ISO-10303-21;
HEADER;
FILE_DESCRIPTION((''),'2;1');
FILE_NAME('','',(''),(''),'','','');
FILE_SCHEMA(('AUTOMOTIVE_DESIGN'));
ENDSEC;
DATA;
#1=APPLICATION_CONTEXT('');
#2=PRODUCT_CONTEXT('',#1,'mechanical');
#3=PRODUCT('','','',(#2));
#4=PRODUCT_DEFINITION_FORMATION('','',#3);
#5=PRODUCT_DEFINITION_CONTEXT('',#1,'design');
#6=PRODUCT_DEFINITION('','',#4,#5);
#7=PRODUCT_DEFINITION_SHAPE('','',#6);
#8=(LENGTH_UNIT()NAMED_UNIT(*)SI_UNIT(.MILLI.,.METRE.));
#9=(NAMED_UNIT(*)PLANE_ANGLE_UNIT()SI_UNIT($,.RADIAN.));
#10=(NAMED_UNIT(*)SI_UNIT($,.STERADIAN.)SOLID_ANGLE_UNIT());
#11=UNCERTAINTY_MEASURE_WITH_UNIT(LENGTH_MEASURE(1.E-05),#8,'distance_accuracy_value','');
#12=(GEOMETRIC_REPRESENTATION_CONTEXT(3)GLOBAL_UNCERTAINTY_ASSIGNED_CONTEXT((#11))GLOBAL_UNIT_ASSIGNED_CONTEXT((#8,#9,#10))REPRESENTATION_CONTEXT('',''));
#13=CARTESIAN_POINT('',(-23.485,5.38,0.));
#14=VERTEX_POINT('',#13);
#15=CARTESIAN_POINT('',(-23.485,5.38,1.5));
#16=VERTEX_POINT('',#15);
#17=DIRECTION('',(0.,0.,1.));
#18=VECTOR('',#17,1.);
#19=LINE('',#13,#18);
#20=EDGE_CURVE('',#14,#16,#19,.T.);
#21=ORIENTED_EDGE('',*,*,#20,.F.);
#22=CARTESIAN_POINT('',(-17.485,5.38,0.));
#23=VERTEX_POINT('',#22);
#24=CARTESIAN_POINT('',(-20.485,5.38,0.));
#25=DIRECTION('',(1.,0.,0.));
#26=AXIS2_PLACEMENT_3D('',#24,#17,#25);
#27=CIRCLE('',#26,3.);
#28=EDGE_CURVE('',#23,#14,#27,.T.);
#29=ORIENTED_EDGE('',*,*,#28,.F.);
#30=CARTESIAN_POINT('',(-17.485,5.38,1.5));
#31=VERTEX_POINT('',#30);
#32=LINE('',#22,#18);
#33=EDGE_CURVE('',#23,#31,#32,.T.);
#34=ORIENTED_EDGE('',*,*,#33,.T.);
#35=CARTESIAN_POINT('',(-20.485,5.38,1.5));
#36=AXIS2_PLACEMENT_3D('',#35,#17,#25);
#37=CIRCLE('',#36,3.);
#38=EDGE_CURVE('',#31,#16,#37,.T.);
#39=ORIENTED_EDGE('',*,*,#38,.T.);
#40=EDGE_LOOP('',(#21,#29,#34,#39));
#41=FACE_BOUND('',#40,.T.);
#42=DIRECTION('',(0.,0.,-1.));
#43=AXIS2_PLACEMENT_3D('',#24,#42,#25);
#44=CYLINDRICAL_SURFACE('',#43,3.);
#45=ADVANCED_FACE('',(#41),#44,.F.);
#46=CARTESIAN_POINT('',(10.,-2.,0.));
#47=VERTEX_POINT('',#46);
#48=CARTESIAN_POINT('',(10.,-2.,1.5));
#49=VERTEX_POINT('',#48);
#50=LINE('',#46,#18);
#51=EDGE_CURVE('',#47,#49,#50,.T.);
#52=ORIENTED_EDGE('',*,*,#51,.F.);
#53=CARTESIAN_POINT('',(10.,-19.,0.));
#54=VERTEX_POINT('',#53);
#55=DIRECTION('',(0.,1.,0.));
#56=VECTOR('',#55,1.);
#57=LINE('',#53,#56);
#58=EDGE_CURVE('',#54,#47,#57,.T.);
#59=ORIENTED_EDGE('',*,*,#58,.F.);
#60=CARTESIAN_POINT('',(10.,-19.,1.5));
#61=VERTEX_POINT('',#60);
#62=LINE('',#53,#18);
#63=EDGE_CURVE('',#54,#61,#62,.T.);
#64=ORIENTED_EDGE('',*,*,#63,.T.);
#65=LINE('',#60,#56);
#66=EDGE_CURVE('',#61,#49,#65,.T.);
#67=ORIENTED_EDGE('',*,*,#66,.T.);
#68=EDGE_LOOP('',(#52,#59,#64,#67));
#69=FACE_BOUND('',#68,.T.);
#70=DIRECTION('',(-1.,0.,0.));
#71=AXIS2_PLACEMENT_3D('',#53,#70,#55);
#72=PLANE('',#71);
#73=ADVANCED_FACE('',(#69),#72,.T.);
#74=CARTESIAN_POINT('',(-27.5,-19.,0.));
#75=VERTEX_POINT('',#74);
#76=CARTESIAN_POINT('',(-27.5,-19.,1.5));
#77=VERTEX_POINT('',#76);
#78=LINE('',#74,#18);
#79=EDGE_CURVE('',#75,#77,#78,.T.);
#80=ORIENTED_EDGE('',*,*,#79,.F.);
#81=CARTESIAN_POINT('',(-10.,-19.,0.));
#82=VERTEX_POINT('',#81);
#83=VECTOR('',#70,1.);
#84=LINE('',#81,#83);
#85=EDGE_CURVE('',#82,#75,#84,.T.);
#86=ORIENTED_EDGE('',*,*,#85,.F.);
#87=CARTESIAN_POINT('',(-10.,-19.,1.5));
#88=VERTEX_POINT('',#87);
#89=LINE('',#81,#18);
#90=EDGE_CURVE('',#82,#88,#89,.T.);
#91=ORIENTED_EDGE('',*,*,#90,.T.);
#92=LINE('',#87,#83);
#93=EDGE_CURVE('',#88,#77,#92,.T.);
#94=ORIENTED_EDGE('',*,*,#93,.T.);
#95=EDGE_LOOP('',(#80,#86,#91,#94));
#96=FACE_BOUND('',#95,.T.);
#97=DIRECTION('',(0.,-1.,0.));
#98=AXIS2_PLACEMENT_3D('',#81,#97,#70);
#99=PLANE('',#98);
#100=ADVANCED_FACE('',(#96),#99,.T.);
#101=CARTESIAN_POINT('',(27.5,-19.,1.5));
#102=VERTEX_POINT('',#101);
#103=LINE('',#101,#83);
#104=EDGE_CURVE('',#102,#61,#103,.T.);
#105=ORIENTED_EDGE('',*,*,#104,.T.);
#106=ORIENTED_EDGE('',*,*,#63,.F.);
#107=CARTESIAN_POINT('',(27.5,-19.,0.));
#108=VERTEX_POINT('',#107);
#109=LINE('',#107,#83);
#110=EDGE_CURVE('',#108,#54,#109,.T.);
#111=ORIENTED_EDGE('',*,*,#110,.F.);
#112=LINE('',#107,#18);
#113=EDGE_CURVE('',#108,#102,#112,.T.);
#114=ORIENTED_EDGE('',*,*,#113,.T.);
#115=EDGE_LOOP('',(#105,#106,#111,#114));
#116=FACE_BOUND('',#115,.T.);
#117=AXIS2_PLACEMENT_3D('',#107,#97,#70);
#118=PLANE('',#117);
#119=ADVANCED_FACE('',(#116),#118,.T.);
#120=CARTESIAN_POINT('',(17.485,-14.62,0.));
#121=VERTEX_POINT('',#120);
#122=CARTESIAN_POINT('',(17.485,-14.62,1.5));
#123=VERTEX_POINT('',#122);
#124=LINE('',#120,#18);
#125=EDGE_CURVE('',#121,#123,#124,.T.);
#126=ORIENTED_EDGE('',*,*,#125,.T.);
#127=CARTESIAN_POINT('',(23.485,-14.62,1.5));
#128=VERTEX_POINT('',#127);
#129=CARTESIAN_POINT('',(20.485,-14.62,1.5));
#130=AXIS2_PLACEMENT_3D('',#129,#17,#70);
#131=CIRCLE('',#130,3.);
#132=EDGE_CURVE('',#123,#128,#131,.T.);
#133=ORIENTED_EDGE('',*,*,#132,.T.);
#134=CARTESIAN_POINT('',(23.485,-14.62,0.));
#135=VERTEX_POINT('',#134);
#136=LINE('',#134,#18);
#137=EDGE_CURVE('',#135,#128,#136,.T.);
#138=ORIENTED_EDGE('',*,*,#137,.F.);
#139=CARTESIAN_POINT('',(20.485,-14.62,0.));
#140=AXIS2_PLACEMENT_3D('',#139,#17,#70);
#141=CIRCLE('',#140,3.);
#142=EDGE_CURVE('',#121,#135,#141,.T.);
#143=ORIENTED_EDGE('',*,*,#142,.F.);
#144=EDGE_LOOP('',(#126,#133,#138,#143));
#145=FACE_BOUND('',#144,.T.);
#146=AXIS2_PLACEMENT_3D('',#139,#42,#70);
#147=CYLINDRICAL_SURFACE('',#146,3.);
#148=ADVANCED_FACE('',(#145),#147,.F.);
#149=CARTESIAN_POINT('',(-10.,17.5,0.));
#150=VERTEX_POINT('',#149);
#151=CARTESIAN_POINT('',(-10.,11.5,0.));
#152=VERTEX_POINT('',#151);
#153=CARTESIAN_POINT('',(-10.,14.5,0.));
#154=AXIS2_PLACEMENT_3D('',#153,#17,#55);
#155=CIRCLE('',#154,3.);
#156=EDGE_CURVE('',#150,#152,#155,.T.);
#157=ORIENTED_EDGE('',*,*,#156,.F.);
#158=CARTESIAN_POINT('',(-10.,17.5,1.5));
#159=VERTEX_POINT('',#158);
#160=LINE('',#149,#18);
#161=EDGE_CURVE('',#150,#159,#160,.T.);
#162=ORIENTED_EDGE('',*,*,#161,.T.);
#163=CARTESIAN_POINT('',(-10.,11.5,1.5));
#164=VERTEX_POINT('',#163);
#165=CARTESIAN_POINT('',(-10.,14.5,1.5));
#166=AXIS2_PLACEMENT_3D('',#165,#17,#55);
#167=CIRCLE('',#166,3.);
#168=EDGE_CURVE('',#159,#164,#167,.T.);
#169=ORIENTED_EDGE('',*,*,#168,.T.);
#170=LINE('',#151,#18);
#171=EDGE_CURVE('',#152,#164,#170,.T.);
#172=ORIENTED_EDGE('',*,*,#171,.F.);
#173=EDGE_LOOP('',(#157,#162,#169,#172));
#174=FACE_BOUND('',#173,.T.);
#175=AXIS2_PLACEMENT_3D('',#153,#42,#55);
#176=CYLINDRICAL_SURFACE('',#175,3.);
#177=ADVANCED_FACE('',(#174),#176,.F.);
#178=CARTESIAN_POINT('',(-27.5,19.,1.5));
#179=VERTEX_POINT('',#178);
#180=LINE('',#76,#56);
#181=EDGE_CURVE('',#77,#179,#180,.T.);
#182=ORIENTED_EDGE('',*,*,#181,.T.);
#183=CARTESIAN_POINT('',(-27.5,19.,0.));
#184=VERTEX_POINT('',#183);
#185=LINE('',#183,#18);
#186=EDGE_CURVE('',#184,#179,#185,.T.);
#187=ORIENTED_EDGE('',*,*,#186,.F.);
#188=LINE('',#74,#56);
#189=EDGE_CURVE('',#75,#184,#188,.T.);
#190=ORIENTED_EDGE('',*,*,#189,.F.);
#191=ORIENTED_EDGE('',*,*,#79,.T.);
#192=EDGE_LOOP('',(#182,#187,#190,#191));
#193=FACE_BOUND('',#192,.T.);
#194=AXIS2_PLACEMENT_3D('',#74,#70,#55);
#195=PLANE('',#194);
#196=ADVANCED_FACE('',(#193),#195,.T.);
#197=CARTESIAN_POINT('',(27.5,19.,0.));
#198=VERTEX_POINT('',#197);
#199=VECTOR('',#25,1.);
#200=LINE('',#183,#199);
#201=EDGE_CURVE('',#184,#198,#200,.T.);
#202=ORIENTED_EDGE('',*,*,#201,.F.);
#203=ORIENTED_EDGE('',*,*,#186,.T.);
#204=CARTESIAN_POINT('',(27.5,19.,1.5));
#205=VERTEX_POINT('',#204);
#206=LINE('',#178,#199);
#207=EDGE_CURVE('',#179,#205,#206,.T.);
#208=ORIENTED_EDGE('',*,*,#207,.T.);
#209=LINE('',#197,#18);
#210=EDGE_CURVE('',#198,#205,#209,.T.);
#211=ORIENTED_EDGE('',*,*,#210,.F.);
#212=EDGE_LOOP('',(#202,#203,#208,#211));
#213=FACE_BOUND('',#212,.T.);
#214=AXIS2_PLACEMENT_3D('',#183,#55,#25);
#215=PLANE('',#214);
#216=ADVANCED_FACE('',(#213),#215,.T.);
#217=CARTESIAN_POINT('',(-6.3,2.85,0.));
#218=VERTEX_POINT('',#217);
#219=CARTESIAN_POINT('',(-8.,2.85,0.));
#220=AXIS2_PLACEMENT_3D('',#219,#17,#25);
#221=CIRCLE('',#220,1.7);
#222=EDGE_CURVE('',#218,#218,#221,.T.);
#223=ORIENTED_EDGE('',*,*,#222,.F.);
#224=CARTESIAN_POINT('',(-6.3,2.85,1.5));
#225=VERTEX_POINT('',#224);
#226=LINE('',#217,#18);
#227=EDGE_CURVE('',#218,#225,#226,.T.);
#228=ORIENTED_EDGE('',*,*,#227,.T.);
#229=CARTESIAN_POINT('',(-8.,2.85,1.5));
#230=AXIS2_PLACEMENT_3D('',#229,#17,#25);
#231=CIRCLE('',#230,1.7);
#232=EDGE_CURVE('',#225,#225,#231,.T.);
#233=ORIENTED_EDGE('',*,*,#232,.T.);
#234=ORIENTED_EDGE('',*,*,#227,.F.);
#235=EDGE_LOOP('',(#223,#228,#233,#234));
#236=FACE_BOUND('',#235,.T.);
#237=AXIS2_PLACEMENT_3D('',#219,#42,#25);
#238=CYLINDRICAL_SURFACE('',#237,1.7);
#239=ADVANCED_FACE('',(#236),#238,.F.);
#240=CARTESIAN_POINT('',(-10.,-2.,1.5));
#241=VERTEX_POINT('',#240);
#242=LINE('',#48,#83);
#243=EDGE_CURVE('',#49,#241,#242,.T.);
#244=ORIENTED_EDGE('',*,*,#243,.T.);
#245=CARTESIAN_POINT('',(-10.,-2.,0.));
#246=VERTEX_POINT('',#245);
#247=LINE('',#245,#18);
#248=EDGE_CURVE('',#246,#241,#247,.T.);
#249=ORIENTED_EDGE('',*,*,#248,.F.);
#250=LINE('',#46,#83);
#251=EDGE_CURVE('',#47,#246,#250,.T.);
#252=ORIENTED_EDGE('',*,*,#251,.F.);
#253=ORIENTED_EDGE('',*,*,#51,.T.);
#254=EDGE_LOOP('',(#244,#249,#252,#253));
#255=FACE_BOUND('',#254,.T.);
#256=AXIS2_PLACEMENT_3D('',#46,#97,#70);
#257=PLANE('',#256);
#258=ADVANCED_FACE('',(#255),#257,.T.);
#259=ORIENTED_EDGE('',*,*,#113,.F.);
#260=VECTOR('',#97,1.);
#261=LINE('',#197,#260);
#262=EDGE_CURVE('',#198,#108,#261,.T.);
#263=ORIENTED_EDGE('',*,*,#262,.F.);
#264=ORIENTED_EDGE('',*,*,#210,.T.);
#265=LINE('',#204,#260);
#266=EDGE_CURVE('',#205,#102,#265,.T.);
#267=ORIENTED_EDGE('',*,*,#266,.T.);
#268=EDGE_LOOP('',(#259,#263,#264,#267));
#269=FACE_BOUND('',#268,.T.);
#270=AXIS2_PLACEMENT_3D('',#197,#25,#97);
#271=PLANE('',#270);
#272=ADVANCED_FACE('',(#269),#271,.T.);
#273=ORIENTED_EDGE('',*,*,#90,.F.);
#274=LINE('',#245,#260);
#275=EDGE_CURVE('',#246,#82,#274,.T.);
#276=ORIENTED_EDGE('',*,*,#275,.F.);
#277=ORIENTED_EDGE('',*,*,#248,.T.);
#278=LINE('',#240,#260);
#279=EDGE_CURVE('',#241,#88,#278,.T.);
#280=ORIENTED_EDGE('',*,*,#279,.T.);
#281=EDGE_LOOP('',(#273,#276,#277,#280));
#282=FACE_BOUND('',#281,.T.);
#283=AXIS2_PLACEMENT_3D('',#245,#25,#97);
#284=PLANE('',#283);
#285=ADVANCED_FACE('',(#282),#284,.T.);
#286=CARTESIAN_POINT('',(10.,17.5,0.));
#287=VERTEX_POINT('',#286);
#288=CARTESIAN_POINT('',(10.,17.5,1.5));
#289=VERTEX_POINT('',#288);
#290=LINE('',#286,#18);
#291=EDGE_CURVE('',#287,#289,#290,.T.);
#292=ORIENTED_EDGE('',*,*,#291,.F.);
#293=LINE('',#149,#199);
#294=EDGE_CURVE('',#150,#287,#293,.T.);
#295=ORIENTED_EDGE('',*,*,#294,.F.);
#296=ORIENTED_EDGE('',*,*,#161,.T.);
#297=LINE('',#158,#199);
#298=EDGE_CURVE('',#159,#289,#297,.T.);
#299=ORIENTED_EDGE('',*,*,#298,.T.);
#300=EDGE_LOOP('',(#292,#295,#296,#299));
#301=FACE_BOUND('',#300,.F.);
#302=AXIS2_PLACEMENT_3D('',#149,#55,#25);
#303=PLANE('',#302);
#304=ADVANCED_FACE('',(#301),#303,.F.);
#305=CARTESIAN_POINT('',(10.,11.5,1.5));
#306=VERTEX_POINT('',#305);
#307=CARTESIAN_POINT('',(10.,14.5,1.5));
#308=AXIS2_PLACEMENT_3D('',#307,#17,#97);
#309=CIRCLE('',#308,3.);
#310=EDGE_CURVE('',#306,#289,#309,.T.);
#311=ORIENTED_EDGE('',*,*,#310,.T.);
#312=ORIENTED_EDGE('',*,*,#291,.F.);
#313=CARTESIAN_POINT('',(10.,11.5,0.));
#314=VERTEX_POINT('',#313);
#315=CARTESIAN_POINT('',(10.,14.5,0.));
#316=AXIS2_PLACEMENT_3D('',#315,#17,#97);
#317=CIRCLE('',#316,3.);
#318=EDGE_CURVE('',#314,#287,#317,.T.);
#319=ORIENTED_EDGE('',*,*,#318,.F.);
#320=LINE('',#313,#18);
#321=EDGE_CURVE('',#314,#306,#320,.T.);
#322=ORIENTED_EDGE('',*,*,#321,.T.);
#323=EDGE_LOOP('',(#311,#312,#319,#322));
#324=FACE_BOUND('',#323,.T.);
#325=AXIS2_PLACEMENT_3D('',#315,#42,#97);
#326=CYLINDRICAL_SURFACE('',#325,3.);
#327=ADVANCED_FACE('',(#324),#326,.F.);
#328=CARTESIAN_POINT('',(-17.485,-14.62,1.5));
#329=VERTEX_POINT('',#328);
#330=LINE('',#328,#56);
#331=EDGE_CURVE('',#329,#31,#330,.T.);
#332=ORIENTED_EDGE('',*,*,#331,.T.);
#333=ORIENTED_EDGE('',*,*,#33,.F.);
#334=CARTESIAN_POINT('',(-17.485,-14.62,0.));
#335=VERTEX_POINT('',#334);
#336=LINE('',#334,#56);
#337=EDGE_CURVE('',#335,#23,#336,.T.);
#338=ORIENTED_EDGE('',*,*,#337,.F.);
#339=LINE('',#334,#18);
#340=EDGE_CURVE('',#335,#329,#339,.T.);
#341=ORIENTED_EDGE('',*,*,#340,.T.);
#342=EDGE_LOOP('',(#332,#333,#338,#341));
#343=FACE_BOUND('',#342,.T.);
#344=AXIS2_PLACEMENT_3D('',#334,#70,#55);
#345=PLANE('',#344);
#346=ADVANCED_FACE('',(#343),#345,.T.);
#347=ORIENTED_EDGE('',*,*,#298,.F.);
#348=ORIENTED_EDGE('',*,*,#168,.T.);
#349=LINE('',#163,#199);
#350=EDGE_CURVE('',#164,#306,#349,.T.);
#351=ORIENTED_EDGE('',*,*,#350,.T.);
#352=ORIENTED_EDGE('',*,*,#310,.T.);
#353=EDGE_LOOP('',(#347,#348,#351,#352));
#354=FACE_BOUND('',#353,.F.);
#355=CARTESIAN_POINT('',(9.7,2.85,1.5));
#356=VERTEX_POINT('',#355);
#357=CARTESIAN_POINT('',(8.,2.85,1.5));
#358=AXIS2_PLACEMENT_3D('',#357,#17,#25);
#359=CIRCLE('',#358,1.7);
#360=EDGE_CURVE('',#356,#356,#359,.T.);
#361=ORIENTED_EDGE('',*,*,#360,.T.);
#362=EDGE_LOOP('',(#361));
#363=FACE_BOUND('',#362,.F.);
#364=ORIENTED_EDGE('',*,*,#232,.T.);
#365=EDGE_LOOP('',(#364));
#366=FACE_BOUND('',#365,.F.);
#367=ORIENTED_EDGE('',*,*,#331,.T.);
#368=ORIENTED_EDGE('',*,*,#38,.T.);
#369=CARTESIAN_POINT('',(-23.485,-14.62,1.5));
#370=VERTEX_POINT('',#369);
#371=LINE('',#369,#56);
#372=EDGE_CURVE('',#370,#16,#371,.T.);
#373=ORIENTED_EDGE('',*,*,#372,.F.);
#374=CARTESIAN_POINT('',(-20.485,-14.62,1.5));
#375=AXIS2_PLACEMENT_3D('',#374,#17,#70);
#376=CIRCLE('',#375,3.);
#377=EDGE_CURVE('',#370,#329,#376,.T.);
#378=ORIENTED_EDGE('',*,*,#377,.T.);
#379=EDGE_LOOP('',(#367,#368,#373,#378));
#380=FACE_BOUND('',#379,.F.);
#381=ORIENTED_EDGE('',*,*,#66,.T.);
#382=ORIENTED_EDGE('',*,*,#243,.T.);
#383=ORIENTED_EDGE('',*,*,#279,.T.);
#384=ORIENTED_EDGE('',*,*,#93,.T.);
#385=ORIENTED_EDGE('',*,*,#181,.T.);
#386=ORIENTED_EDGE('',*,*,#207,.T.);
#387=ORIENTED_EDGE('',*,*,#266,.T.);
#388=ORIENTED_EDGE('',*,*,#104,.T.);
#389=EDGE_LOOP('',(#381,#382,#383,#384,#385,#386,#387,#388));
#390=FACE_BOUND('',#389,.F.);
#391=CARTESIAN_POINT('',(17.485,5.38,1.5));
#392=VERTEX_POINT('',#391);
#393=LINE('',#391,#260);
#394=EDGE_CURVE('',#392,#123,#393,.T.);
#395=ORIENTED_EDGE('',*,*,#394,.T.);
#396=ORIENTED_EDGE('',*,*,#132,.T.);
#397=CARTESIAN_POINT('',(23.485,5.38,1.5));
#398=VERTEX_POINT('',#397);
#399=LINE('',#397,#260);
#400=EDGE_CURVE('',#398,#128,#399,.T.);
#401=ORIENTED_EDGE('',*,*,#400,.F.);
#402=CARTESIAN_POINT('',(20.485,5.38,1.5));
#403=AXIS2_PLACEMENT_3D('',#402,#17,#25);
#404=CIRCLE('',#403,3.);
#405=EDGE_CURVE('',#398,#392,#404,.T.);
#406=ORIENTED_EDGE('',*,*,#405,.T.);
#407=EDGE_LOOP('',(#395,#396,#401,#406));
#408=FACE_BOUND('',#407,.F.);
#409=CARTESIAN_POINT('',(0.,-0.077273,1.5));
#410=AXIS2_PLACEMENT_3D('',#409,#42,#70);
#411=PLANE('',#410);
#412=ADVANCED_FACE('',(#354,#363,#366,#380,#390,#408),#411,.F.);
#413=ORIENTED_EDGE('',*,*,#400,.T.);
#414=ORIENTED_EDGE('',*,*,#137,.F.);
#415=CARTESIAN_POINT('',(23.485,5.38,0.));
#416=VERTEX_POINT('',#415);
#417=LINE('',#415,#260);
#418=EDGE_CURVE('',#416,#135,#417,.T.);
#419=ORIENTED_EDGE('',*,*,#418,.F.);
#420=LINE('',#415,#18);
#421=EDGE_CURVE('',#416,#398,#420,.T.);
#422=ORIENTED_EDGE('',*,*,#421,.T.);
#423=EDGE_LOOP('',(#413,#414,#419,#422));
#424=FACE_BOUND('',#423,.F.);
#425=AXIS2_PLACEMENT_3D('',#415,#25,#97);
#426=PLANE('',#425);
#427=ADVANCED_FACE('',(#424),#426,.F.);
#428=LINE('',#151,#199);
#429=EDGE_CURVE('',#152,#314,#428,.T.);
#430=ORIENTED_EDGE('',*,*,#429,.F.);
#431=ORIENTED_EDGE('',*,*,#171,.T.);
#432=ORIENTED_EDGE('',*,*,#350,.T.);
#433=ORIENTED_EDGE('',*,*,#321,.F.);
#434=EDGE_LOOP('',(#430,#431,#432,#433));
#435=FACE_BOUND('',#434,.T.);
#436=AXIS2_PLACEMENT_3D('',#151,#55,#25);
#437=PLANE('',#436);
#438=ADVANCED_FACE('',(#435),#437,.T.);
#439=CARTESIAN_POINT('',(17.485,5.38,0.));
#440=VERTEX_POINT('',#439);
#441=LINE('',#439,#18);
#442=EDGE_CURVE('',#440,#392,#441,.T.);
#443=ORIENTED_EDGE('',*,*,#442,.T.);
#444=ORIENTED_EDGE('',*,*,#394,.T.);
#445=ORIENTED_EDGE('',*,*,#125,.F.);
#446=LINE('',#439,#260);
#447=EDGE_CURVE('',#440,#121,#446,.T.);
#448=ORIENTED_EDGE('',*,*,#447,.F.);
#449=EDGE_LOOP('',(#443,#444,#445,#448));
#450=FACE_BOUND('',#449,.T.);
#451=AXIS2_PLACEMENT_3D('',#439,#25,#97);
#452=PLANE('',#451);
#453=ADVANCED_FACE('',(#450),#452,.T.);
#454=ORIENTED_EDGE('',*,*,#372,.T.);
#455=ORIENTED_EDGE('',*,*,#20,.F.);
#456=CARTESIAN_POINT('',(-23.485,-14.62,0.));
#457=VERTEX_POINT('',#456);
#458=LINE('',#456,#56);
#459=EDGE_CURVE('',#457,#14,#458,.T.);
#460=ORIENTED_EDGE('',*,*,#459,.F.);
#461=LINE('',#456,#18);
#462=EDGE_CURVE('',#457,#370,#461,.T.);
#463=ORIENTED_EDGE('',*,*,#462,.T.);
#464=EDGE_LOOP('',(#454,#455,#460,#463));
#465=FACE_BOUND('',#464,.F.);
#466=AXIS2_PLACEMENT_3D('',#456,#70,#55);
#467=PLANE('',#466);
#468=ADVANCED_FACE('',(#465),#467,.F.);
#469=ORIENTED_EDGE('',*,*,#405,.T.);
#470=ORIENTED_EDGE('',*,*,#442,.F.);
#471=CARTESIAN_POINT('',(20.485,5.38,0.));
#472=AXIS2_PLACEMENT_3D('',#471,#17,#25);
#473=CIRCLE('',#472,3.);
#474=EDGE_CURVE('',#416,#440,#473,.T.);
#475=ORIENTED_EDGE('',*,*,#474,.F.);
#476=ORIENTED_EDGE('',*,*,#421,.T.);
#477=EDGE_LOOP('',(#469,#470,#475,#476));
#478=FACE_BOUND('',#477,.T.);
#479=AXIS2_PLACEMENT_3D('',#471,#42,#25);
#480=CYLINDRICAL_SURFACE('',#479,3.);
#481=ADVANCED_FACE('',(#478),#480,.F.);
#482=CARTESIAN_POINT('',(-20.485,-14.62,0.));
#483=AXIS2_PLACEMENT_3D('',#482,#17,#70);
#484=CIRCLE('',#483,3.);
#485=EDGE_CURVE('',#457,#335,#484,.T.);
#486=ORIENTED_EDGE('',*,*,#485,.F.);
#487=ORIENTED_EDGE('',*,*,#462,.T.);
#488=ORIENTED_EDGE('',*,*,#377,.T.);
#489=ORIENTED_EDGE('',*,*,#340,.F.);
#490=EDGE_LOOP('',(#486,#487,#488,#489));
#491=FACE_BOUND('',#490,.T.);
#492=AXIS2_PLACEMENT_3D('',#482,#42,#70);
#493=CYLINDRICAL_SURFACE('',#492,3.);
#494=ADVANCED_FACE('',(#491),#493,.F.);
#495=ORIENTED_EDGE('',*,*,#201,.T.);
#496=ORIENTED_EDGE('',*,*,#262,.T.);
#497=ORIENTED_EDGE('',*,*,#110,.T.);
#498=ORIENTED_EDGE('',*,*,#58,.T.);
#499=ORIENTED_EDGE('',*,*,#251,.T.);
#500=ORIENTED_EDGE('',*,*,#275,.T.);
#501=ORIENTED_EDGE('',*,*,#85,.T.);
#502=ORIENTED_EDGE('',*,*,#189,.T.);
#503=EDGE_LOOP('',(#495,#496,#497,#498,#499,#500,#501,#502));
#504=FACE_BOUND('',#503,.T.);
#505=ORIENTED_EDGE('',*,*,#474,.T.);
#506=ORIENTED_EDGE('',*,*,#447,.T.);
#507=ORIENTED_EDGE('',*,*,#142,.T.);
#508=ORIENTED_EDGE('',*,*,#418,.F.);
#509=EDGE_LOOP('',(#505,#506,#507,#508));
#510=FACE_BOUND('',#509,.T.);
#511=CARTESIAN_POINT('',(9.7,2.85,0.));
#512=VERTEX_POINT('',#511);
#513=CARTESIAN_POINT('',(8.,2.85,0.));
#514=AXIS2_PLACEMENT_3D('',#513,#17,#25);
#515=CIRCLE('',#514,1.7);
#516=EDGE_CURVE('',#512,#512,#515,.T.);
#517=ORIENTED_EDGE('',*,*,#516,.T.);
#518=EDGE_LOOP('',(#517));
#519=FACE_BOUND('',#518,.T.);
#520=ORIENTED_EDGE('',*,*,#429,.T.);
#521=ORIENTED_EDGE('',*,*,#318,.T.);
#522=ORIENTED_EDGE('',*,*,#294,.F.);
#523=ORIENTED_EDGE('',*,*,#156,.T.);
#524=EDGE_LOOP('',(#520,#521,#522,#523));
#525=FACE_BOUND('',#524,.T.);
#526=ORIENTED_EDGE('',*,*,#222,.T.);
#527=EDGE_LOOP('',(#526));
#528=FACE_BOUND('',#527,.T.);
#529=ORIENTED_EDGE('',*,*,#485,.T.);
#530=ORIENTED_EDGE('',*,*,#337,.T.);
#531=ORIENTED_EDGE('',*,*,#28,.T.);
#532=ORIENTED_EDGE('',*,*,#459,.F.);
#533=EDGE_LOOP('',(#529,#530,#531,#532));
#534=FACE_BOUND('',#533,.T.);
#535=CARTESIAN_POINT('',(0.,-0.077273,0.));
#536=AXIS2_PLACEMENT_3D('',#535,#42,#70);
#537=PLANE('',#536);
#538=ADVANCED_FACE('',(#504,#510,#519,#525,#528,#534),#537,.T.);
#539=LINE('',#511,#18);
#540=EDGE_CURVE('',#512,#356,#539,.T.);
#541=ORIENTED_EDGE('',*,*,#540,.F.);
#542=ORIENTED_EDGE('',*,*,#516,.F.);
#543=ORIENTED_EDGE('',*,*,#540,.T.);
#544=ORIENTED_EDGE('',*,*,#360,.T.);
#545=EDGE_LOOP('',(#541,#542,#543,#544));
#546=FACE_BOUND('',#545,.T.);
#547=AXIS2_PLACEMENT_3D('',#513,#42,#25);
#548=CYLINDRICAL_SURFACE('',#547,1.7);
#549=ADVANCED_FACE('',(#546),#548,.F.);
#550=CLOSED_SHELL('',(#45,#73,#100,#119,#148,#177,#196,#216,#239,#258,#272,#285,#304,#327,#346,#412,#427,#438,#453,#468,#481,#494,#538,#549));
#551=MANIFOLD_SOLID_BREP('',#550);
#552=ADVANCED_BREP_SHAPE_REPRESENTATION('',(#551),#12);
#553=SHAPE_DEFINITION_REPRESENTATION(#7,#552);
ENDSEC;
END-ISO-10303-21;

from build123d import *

# Parameters (mm, degrees)
SKETCH_R  = 1.7
PAD_DEPTH = 1.5


with BuildPart() as part:
    # Sketch → Pad (new body)
    with BuildSketch(Plane.XY):
        Polygon((-27.5, 19), (27.5, 19), (27.5, -19), (10, -19), (10, -2), (-10, -2), (-10, -19), (-27.5, -19), align=None)
        with Locations((-8, 2.85)):
            Circle(SKETCH_R, mode=Mode.SUBTRACT)
        with Locations((8, 2.85)):
            Circle(SKETCH_R, mode=Mode.SUBTRACT)
        with BuildLine():
            ThreePointArc((-10, 17.5), (-13, 14.5), (-10, 11.5))
            Line((-10, 11.5), (10, 11.5))
            ThreePointArc((10, 11.5), (13, 14.5), (10, 17.5))
            Line((-10, 17.5), (10, 17.5))
        make_face(mode=Mode.SUBTRACT)
        with BuildLine():
            ThreePointArc((23.485, 5.38), (20.485, 8.38), (17.485, 5.38))
            Line((17.485, 5.38), (17.485, -14.62))
            ThreePointArc((17.485, -14.62), (20.485, -17.62), (23.485, -14.62))
            Line((23.485, 5.38), (23.485, -14.62))
        make_face(mode=Mode.SUBTRACT)
        with BuildLine():
            ThreePointArc((-23.485, -14.62), (-20.485, -17.62), (-17.485, -14.62))
            Line((-17.485, -14.62), (-17.485, 5.38))
            ThreePointArc((-17.485, 5.38), (-20.485, 8.38), (-23.485, 5.38))
            Line((-23.485, -14.62), (-23.485, 5.38))
        make_face(mode=Mode.SUBTRACT)
    extrude(amount=PAD_DEPTH)


solid = part.part
